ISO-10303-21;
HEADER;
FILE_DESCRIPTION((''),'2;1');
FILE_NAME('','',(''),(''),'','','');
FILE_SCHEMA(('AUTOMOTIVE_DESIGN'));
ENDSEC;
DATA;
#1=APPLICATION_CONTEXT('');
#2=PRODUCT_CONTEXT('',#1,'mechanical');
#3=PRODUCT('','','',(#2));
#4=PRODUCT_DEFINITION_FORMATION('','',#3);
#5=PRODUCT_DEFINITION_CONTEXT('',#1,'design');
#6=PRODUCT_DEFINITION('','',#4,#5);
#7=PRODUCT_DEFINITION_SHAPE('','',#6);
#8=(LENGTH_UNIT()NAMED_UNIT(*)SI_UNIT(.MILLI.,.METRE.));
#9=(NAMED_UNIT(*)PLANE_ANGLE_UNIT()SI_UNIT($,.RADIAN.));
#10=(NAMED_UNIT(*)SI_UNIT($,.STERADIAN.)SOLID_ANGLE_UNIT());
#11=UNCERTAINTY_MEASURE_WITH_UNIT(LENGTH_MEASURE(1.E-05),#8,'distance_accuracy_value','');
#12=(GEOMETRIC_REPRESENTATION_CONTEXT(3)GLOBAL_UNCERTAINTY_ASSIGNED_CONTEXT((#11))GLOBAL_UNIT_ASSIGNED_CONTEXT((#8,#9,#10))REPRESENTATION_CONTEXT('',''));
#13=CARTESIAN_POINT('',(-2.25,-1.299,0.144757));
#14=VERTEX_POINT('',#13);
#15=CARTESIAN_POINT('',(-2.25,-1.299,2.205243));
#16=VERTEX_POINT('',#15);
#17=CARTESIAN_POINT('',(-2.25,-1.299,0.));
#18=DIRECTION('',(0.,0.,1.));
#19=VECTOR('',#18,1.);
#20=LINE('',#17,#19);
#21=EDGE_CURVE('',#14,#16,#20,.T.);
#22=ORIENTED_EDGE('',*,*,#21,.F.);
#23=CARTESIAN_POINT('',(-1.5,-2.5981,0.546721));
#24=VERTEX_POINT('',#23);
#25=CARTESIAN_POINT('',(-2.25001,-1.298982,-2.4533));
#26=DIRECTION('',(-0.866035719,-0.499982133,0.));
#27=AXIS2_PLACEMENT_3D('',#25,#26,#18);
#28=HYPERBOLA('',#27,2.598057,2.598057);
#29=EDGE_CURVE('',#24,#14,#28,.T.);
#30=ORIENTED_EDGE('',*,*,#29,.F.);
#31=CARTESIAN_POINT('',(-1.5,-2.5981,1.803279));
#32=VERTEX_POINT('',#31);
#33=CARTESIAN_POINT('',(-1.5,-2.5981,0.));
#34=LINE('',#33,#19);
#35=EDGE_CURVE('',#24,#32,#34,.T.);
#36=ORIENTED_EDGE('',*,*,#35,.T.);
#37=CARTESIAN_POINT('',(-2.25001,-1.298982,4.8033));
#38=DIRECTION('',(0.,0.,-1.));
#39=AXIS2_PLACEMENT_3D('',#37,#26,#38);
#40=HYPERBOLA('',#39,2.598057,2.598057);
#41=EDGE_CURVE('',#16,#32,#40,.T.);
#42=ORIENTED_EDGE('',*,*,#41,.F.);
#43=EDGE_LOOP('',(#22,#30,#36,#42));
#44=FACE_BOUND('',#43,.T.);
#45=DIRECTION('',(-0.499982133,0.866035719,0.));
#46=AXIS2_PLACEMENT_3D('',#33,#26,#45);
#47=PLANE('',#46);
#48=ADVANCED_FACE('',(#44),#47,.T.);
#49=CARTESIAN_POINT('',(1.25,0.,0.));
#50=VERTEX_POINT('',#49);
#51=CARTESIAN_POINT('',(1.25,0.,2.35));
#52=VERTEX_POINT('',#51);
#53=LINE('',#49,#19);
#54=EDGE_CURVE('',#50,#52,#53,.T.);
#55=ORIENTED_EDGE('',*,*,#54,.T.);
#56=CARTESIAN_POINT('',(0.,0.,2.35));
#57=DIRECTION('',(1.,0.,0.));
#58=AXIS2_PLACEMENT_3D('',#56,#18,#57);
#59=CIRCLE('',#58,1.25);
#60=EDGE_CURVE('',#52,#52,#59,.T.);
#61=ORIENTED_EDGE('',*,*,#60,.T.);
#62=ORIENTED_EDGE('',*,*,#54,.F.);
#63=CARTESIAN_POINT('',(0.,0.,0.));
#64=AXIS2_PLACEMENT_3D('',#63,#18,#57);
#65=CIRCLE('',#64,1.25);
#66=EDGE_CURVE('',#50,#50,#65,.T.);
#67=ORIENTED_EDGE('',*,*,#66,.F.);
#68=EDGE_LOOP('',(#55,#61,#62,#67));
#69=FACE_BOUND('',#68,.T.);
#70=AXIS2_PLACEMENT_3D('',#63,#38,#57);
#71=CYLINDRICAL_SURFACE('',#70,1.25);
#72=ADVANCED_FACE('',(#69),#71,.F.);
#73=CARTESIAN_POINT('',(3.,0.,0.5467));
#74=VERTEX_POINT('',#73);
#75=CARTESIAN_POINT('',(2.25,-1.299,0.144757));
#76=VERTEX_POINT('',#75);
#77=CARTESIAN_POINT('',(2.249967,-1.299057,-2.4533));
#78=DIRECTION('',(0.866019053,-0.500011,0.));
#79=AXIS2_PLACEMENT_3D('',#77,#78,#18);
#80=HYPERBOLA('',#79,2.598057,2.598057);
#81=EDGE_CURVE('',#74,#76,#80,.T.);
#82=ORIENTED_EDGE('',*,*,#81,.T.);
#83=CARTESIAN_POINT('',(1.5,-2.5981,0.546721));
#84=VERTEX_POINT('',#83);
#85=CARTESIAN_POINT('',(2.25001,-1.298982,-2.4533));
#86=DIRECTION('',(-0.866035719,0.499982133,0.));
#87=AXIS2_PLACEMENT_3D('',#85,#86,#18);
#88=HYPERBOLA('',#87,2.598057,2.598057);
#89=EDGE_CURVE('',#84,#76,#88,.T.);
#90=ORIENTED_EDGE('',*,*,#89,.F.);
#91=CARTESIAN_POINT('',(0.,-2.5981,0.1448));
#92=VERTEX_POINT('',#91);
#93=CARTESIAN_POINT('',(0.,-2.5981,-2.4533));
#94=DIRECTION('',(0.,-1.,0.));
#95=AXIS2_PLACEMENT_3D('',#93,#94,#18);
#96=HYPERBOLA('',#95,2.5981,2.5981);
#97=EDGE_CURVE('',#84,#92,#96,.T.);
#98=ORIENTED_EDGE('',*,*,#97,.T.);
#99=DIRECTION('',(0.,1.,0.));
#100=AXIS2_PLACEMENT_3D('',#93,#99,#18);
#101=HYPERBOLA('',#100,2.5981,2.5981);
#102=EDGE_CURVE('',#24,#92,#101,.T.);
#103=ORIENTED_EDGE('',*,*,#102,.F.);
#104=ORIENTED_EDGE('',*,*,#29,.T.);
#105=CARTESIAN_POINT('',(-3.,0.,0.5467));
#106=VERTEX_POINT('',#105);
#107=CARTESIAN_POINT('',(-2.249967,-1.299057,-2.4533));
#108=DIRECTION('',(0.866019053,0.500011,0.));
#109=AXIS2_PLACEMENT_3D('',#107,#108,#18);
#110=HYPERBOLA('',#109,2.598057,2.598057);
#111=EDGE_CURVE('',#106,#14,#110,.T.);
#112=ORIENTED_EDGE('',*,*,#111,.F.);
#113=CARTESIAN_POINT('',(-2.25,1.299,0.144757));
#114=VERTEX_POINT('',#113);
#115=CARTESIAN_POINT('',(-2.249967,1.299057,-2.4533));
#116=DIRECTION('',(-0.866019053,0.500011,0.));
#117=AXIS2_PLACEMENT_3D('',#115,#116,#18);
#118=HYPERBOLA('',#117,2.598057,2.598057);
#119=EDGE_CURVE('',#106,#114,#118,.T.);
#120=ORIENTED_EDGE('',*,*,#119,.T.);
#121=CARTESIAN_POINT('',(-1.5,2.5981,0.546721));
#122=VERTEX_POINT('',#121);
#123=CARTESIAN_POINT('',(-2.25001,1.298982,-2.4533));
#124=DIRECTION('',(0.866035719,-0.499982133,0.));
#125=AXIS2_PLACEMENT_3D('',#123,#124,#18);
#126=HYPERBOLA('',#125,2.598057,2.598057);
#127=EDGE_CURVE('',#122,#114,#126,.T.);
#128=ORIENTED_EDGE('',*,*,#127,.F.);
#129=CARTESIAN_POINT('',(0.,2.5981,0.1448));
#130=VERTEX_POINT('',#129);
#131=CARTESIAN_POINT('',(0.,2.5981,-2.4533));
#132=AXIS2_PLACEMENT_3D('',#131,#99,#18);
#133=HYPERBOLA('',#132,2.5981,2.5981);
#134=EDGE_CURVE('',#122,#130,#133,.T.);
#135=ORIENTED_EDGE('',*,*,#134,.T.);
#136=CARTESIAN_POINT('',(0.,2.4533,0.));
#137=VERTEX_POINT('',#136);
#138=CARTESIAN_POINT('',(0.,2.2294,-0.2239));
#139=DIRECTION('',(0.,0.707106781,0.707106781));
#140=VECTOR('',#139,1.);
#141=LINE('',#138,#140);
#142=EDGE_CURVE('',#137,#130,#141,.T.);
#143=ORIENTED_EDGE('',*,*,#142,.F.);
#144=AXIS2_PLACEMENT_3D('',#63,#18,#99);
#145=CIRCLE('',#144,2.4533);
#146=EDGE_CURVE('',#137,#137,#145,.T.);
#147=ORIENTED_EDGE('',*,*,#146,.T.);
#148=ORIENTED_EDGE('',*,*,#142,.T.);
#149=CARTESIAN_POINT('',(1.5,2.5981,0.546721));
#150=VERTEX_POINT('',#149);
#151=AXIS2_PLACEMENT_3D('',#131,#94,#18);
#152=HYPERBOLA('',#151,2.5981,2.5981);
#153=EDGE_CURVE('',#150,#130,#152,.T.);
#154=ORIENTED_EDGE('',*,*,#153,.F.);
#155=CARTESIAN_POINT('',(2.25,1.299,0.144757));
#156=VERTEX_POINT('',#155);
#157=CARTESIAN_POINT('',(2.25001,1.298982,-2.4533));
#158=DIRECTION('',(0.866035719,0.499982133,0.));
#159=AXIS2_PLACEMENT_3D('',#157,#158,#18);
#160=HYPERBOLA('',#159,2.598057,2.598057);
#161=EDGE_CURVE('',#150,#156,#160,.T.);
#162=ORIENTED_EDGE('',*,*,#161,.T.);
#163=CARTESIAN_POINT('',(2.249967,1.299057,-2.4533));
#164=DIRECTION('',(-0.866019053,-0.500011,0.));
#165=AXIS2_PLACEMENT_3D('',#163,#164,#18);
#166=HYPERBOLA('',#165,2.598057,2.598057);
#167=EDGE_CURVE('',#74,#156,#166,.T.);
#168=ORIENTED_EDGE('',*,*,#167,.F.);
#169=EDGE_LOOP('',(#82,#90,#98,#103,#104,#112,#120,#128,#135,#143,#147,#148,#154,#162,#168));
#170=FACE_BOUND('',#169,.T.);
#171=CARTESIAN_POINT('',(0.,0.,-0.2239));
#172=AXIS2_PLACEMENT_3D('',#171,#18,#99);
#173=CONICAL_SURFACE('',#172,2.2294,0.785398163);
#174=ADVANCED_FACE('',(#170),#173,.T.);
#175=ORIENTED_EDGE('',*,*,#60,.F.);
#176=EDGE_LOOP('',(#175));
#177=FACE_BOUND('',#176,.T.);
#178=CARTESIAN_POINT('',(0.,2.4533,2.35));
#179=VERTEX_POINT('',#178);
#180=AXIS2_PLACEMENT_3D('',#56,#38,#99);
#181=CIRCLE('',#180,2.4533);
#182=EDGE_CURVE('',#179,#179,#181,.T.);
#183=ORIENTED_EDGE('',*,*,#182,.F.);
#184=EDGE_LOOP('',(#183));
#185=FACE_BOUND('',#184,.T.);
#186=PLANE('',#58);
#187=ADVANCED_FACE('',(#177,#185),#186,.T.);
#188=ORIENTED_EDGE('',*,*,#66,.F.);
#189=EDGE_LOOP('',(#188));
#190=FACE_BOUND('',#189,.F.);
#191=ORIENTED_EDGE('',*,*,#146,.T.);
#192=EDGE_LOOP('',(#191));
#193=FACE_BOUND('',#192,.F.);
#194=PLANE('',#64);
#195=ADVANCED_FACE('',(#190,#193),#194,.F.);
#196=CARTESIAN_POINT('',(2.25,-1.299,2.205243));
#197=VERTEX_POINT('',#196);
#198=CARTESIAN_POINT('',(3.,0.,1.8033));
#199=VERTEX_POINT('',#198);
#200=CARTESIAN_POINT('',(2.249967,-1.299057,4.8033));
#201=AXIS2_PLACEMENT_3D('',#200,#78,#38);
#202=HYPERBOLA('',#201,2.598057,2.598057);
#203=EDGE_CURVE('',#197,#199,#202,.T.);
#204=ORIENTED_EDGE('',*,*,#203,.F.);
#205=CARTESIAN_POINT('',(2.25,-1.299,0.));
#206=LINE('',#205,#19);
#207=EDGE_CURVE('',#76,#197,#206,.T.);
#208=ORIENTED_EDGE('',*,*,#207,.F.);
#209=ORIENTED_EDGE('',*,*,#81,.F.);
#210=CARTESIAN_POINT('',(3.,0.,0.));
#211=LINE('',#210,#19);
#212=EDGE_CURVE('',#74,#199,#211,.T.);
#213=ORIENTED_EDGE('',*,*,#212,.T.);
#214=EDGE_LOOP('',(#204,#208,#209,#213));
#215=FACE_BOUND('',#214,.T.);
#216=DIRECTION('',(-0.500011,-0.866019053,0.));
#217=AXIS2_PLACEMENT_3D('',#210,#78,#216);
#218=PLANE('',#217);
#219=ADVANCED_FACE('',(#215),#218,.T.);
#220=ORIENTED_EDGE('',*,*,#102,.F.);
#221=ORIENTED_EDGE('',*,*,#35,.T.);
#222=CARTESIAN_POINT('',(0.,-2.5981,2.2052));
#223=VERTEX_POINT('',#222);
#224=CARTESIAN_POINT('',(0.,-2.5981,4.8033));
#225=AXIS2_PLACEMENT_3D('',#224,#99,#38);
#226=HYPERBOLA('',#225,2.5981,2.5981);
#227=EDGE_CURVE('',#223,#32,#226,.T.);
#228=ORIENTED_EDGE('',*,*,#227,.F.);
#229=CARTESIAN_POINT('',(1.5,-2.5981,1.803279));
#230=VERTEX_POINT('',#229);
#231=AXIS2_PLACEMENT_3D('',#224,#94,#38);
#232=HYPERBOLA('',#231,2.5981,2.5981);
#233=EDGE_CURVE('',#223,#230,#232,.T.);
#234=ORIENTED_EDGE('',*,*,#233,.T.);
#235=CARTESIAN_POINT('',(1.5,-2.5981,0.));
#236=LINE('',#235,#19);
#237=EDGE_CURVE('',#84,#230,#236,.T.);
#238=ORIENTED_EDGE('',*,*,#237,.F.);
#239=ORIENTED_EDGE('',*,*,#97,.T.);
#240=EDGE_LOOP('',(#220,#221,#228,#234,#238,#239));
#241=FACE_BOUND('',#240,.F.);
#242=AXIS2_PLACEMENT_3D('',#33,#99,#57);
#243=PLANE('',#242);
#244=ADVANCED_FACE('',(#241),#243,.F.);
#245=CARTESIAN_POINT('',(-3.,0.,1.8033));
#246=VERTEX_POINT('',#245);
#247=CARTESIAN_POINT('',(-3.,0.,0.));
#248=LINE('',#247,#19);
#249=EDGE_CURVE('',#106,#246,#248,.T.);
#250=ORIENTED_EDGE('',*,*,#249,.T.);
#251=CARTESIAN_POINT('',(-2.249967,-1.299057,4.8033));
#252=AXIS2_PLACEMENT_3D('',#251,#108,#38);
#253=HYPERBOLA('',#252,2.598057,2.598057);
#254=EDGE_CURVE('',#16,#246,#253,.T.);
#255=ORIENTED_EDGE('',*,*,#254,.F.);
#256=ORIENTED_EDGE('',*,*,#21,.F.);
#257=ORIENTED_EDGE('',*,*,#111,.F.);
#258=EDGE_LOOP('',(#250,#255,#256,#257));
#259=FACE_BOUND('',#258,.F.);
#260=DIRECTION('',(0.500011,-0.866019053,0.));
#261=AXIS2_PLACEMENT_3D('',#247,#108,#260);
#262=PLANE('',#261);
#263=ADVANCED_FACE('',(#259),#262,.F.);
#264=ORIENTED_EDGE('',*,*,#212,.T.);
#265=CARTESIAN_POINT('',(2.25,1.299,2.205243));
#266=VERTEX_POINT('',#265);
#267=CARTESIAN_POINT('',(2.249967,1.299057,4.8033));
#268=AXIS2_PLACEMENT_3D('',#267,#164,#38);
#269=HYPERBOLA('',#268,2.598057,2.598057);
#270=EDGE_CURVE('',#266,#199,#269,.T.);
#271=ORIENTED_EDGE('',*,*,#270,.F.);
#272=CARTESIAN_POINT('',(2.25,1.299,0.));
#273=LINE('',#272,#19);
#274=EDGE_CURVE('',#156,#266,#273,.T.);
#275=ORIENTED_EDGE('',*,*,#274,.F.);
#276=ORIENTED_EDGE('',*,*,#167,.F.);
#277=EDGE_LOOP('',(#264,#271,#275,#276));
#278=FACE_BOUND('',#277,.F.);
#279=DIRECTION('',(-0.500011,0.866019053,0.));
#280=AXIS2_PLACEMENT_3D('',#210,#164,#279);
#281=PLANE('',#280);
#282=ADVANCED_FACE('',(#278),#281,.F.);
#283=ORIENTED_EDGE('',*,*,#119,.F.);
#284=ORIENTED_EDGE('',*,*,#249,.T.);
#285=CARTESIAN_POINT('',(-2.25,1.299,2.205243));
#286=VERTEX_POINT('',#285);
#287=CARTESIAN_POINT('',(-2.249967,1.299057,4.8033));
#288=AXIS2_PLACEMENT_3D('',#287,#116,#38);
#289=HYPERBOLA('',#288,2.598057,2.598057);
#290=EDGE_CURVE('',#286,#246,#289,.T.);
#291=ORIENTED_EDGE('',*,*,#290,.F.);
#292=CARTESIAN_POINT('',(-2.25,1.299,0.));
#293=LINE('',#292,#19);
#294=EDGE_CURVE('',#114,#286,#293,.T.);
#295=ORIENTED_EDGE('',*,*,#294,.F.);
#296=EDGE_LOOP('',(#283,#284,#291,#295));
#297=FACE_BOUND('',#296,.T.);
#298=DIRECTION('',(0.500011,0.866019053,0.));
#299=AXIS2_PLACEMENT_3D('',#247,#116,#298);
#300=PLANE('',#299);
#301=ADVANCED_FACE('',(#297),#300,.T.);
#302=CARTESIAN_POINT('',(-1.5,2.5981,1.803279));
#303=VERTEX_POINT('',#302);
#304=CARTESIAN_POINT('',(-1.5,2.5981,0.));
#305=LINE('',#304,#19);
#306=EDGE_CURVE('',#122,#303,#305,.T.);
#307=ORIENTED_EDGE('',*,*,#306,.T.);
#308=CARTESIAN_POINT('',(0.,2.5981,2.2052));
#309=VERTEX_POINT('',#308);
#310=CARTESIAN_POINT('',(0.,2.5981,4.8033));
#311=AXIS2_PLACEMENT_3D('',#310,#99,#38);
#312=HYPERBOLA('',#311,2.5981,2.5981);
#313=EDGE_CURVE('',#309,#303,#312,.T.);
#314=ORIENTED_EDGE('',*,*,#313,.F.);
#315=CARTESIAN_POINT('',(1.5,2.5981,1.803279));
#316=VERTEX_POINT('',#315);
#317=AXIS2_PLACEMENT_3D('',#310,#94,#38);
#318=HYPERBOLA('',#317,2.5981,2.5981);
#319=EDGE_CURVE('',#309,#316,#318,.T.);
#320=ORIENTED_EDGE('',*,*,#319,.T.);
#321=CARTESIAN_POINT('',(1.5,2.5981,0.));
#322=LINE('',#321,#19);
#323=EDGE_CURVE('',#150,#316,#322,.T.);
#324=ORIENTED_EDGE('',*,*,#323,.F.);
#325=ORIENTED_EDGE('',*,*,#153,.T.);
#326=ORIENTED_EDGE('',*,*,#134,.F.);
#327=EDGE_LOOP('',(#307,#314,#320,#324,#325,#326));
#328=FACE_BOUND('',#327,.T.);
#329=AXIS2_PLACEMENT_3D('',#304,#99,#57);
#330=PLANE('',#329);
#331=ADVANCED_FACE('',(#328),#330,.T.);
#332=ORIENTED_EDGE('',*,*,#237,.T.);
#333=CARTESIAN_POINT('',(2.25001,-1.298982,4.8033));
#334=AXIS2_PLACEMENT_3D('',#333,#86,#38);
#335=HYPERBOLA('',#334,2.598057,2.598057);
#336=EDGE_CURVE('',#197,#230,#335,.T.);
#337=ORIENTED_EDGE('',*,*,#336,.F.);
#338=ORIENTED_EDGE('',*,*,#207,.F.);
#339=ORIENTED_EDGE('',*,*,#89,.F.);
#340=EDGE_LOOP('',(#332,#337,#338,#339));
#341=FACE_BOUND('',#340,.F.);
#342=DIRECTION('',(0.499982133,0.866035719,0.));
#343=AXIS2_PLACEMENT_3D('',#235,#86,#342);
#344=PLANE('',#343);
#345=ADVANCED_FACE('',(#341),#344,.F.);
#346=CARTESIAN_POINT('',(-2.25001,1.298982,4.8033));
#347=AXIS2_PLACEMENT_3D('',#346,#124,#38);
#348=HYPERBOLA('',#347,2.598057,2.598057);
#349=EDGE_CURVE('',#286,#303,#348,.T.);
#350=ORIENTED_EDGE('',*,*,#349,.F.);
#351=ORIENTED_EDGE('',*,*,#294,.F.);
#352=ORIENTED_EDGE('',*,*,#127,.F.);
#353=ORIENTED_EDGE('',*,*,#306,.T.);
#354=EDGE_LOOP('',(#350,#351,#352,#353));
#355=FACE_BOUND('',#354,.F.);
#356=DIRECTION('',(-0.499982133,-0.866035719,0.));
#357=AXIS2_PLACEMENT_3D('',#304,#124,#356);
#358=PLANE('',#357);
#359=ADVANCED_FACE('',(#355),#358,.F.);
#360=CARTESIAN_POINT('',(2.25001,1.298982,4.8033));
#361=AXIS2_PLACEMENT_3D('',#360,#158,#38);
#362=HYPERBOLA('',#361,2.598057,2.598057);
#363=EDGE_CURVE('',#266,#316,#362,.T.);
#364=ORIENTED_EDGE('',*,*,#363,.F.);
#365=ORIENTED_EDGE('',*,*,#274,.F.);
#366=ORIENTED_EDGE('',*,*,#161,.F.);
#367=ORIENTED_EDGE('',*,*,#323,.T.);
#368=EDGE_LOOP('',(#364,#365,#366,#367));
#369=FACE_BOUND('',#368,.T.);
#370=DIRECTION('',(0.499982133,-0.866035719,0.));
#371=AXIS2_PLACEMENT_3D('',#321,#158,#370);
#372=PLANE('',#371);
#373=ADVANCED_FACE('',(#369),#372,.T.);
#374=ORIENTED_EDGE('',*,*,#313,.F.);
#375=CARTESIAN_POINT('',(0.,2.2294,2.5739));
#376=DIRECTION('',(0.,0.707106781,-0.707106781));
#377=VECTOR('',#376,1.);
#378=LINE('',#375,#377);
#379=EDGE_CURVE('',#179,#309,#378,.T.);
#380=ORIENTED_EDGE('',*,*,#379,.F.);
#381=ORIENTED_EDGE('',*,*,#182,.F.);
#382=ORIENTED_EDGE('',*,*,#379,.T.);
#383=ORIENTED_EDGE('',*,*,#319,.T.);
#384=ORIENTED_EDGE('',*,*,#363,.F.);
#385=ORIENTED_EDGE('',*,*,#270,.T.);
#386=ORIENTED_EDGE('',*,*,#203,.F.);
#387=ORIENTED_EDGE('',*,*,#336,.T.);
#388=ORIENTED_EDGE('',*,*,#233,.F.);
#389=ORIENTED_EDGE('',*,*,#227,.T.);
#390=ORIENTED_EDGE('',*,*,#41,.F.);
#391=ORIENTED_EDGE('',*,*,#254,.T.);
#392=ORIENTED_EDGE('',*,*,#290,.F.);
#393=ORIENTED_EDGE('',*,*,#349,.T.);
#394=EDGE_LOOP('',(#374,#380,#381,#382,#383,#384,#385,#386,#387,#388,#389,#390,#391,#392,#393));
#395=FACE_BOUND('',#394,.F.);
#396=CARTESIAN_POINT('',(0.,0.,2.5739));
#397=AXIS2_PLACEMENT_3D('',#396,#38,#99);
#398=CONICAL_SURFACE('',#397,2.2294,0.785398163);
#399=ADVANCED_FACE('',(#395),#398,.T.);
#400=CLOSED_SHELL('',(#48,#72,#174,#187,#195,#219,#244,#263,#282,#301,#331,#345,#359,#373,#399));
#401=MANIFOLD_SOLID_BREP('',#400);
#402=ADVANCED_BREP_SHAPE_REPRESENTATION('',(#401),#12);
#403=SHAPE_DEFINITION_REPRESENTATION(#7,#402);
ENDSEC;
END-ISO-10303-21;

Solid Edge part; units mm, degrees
sketch "Sketch1" plane through (0, 0, 0) normal (0, 0, 1) x (1, 0, 0)
  line L0 (-1.5, -2.5981) -> (0, -2.5981)
  line L1 (1.5, -2.5981) -> (0, -2.5981)
  line L2 (1.5, -2.5981) -> (2.25, -1.299)
  line L3 (3, 0) -> (2.25, -1.299)
  line L4 (3, 0) -> (2.25, 1.299)
  line L5 (1.5, 2.5981) -> (2.25, 1.299)
  line L6 (1.5, 2.5981) -> (0, 2.5981)
  line L7 (-1.5, 2.5981) -> (0, 2.5981)
  line L8 (-1.5, 2.5981) -> (-2.25, 1.299)
  line L9 (-3, 0) -> (-2.25, 1.299)
  line L10 (-3, 0) -> (-2.25, -1.299)
  line L11 (-1.5, -2.5981) -> (-2.25, -1.299)
  circle A0 centre (0, 0) radius 1.25
extrude "Protrusion1" add sketch "Sketch1" along normal blind 2.35
sketch "Sketch2" plane through (0, 0, 0) normal (1, 0, 0) x (0, 1, 0)
  line L0 (2.2294, 2.5739) -> (3.6283, 1.175)
  line L1 (2.2294, -0.2239) -> (3.6283, 1.175)
revolve "RevolvedCutout1" cut sketch "Sketch2" angle 360 about axis through (0, 0, -57) along (0, 0, 1) material side at (0, 2.9642, 1.9098)
properties material "Stainless steel"
